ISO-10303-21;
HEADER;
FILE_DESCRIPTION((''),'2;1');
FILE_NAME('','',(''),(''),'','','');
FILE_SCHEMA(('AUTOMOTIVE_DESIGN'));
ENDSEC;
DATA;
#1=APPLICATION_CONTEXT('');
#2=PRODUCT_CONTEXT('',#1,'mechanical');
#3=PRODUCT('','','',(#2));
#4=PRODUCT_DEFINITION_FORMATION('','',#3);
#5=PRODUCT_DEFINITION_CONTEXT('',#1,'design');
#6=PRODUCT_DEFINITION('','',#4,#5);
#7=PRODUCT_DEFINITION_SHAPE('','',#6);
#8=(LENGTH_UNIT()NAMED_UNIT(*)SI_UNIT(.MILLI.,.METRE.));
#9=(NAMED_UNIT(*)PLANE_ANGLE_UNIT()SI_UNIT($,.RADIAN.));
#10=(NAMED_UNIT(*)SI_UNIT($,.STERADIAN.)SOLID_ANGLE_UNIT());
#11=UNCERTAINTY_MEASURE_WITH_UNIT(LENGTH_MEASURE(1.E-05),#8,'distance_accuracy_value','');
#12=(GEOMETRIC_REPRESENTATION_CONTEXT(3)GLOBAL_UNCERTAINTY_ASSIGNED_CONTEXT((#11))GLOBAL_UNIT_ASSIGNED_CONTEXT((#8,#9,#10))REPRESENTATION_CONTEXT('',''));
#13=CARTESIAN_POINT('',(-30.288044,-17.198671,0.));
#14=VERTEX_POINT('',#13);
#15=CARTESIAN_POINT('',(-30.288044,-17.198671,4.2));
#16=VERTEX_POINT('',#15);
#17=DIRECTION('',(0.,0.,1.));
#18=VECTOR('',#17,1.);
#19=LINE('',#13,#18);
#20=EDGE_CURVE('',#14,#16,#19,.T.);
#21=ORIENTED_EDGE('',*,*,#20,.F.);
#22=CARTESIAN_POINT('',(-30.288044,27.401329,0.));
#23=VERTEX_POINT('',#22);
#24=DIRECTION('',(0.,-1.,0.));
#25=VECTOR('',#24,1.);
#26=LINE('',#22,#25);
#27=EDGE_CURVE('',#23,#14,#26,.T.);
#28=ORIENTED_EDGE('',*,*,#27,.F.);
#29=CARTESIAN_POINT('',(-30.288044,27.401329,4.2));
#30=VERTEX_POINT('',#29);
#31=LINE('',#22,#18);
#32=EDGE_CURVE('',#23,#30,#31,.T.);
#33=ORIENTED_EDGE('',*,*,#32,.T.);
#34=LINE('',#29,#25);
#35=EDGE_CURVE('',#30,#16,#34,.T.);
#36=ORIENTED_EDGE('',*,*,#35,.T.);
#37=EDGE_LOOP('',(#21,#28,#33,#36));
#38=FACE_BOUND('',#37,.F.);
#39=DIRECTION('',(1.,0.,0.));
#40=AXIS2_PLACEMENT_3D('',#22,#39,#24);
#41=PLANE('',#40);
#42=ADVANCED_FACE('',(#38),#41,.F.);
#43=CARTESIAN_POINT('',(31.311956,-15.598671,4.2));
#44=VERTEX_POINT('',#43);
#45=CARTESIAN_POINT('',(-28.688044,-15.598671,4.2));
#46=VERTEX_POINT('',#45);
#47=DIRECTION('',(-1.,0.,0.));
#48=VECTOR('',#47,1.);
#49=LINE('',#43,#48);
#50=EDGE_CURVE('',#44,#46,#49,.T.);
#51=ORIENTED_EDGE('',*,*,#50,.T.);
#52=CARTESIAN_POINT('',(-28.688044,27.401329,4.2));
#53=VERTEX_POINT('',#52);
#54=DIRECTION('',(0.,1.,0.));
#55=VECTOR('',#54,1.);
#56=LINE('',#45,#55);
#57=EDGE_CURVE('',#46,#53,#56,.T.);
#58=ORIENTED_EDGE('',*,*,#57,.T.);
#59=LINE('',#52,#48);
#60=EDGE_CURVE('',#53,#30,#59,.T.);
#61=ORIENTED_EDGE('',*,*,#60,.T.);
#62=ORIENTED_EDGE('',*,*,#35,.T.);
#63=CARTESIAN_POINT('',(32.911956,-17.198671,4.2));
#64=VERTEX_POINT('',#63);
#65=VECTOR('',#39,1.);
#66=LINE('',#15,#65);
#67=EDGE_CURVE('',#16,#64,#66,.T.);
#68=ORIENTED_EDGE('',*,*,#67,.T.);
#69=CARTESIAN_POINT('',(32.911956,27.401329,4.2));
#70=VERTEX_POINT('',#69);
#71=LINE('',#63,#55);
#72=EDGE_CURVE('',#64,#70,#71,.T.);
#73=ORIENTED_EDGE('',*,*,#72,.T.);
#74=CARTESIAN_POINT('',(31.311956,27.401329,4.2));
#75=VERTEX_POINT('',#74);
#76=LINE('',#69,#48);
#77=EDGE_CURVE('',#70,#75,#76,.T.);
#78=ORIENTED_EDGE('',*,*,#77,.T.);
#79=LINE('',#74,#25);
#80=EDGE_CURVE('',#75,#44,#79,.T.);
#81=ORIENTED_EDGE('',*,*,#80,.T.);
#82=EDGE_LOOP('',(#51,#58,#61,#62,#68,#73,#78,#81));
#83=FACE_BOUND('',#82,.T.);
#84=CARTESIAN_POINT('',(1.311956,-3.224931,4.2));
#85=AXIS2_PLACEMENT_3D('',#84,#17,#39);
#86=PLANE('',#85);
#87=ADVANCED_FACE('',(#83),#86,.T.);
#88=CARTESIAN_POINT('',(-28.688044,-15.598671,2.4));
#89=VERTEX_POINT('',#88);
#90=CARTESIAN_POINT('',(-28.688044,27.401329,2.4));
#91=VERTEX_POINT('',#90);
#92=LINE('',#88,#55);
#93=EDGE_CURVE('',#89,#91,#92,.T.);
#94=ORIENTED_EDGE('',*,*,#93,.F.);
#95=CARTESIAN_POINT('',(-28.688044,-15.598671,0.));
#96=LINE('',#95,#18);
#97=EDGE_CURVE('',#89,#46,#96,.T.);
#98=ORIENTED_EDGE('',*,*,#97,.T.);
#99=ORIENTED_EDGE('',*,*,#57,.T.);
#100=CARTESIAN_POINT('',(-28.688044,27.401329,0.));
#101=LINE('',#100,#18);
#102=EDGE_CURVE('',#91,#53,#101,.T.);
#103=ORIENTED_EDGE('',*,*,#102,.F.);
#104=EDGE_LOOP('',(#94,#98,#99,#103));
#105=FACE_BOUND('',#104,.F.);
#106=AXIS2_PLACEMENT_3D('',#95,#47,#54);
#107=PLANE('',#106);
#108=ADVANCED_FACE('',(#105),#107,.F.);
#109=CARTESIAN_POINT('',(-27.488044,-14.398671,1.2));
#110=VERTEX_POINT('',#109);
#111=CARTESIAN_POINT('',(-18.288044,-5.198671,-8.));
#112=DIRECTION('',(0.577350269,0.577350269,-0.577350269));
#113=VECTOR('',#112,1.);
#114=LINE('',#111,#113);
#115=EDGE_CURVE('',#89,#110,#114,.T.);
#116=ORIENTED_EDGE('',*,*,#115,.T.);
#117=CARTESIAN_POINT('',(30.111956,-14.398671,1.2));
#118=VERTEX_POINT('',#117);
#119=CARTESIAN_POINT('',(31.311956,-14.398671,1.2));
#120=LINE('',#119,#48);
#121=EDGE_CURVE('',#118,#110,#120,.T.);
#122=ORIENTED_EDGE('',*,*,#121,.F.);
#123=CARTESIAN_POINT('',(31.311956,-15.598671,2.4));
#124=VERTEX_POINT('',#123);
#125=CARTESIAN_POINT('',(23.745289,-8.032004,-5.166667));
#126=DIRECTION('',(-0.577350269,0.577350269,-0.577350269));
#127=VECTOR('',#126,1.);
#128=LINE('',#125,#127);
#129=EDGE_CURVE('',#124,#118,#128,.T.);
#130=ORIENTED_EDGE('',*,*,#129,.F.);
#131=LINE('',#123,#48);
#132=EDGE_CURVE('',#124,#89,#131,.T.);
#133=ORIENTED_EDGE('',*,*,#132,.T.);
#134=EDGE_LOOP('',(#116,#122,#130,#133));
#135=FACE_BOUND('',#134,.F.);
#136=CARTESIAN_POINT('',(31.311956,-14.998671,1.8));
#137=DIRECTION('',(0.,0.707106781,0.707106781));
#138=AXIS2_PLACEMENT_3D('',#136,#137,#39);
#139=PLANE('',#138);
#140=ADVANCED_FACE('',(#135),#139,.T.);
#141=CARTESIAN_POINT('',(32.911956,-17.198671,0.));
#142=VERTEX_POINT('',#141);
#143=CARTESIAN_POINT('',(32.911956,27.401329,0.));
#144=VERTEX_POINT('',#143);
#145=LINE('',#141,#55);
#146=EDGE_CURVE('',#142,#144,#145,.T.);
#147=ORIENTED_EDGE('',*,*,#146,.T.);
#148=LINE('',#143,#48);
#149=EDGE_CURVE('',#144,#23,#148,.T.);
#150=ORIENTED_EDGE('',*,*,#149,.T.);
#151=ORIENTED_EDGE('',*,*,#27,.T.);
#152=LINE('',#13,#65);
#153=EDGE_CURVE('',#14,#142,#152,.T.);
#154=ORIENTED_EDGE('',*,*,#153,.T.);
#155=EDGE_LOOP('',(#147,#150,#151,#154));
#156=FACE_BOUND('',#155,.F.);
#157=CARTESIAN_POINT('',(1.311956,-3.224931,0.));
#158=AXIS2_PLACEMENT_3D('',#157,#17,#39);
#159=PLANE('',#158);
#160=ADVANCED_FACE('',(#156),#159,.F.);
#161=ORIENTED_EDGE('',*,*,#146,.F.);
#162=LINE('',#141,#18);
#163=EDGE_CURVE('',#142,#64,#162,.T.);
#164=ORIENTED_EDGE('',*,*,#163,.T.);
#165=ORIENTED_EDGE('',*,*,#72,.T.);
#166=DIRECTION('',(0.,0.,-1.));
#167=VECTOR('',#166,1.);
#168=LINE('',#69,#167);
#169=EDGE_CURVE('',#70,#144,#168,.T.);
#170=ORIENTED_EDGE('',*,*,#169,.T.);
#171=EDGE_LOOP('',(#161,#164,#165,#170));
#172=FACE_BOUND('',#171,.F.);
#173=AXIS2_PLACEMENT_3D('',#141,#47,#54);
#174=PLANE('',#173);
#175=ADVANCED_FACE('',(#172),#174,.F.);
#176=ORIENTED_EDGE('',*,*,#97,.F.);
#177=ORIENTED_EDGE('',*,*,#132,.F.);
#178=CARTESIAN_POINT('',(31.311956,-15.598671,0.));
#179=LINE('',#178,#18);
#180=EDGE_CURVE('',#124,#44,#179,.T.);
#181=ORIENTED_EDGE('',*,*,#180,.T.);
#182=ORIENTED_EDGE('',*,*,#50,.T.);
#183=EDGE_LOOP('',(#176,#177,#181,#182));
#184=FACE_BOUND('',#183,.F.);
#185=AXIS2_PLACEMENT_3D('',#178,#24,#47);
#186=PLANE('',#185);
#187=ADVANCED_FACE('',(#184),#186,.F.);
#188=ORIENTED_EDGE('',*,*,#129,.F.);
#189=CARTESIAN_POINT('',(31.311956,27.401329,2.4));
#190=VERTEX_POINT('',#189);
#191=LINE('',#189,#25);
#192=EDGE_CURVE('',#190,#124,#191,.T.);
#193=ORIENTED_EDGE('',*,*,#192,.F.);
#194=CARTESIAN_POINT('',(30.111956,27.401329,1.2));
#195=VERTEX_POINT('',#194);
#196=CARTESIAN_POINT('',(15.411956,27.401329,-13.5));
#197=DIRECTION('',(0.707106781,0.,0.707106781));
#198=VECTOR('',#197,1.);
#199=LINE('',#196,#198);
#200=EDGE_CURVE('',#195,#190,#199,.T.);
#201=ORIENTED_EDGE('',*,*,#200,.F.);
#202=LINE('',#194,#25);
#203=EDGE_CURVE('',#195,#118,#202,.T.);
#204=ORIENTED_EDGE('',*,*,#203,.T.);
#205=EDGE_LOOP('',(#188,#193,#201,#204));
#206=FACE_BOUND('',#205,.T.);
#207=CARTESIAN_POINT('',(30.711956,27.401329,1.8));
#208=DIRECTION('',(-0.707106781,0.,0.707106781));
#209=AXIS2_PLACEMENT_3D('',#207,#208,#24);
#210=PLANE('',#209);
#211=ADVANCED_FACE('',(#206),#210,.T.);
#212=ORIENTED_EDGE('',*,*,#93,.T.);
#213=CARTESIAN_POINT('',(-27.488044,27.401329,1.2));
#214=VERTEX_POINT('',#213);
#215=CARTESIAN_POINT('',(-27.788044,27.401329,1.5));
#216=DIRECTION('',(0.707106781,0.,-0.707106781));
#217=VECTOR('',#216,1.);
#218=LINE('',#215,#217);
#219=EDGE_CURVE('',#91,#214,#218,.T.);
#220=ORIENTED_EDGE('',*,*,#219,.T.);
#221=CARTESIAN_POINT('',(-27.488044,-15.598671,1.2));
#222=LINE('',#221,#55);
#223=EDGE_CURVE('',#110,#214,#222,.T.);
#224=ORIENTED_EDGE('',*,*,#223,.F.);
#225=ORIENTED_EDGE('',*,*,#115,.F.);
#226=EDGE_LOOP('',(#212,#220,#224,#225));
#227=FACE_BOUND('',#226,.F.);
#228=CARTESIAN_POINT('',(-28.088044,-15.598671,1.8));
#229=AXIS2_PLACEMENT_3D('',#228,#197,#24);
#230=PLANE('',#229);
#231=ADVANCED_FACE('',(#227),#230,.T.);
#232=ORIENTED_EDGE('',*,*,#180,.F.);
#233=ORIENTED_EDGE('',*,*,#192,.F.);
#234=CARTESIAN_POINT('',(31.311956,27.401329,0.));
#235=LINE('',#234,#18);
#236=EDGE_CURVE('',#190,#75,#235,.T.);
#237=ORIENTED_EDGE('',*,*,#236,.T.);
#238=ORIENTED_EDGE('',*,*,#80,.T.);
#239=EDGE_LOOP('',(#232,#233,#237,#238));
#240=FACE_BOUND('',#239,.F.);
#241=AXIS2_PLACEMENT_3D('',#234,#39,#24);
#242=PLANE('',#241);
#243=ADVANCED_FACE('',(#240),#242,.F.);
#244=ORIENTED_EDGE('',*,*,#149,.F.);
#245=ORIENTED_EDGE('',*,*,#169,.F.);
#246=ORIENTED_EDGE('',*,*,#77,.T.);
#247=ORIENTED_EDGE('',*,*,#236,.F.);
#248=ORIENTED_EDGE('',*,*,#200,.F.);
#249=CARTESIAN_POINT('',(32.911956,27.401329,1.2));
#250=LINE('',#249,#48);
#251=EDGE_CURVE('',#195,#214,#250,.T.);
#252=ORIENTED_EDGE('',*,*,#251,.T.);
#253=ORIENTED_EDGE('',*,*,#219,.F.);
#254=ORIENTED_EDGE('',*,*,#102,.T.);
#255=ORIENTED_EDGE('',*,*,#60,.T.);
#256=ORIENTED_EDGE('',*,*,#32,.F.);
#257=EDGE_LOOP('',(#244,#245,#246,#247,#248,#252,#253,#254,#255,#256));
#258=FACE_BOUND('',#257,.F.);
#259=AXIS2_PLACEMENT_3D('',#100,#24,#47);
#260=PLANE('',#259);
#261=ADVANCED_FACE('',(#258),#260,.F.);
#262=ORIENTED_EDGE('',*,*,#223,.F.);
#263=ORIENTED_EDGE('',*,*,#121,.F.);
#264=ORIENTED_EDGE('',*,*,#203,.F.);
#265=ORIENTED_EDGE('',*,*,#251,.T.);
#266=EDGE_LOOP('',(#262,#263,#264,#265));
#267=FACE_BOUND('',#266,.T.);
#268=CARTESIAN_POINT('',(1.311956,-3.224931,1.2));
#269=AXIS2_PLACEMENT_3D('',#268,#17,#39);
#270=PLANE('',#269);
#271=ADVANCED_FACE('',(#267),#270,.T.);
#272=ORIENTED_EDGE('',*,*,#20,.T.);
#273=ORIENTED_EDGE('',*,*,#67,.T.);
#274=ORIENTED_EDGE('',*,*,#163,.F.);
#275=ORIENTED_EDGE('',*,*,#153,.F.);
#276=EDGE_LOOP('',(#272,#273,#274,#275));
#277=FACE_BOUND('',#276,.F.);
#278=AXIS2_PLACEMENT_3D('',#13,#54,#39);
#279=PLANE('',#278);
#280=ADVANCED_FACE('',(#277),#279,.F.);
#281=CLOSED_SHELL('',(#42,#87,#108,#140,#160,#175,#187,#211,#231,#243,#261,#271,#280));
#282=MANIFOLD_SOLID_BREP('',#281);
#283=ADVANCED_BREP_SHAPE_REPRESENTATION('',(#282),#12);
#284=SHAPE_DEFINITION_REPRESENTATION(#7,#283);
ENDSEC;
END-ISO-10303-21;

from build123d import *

# Parameters (mm, degrees)
F1_DEPTH = 4.2
F0_W     = 60
F0_H     = 43
F2_DEPTH = 1.2
F3_SIZE  = 1.2


with BuildPart() as f1:
    # F0 (on Top) → F1 (new body)
    with BuildSketch(Plane.XY):
        Polygon((-28.6880440414, 27.4013292328), (-30.2880440414, 27.4013292328), (-30.2880440414, -17.1986707672), (32.9119559586, -17.1986707672), (32.9119559586, 27.4013292328), (31.3119559586, 27.4013292328), (31.3119559586, -15.5986707672), (-28.6880440414, -15.5986707672), align=None)
    extrude(amount=F1_DEPTH)

    # F0 (on Top) → F2 (join)
    with BuildSketch(Plane.XY):
        Polygon((-28.6880440414, 27.4013292328), (-30.2880440414, 27.4013292328), (-30.2880440414, -17.1986707672), (32.9119559586, -17.1986707672), (32.9119559586, 27.4013292328), (31.3119559586, 27.4013292328), (31.3119559586, -15.5986707672), (-28.6880440414, -15.5986707672), align=None)
        with Locations((1.3119559586, 5.9013292328)):
            Rectangle(F0_W, F0_H)
    extrude(amount=F2_DEPTH)

    # F3
    f3_edges = [f1.edges().sort_by_distance(p)[0] for p in [
        (-28.688044, 5.901329, 1.2),
        (1.311956, -15.598671, 1.2),
        (31.311956, 5.901329, 1.2),
    ]]
    chamfer(f3_edges, length=F3_SIZE)


solid = f1.part
